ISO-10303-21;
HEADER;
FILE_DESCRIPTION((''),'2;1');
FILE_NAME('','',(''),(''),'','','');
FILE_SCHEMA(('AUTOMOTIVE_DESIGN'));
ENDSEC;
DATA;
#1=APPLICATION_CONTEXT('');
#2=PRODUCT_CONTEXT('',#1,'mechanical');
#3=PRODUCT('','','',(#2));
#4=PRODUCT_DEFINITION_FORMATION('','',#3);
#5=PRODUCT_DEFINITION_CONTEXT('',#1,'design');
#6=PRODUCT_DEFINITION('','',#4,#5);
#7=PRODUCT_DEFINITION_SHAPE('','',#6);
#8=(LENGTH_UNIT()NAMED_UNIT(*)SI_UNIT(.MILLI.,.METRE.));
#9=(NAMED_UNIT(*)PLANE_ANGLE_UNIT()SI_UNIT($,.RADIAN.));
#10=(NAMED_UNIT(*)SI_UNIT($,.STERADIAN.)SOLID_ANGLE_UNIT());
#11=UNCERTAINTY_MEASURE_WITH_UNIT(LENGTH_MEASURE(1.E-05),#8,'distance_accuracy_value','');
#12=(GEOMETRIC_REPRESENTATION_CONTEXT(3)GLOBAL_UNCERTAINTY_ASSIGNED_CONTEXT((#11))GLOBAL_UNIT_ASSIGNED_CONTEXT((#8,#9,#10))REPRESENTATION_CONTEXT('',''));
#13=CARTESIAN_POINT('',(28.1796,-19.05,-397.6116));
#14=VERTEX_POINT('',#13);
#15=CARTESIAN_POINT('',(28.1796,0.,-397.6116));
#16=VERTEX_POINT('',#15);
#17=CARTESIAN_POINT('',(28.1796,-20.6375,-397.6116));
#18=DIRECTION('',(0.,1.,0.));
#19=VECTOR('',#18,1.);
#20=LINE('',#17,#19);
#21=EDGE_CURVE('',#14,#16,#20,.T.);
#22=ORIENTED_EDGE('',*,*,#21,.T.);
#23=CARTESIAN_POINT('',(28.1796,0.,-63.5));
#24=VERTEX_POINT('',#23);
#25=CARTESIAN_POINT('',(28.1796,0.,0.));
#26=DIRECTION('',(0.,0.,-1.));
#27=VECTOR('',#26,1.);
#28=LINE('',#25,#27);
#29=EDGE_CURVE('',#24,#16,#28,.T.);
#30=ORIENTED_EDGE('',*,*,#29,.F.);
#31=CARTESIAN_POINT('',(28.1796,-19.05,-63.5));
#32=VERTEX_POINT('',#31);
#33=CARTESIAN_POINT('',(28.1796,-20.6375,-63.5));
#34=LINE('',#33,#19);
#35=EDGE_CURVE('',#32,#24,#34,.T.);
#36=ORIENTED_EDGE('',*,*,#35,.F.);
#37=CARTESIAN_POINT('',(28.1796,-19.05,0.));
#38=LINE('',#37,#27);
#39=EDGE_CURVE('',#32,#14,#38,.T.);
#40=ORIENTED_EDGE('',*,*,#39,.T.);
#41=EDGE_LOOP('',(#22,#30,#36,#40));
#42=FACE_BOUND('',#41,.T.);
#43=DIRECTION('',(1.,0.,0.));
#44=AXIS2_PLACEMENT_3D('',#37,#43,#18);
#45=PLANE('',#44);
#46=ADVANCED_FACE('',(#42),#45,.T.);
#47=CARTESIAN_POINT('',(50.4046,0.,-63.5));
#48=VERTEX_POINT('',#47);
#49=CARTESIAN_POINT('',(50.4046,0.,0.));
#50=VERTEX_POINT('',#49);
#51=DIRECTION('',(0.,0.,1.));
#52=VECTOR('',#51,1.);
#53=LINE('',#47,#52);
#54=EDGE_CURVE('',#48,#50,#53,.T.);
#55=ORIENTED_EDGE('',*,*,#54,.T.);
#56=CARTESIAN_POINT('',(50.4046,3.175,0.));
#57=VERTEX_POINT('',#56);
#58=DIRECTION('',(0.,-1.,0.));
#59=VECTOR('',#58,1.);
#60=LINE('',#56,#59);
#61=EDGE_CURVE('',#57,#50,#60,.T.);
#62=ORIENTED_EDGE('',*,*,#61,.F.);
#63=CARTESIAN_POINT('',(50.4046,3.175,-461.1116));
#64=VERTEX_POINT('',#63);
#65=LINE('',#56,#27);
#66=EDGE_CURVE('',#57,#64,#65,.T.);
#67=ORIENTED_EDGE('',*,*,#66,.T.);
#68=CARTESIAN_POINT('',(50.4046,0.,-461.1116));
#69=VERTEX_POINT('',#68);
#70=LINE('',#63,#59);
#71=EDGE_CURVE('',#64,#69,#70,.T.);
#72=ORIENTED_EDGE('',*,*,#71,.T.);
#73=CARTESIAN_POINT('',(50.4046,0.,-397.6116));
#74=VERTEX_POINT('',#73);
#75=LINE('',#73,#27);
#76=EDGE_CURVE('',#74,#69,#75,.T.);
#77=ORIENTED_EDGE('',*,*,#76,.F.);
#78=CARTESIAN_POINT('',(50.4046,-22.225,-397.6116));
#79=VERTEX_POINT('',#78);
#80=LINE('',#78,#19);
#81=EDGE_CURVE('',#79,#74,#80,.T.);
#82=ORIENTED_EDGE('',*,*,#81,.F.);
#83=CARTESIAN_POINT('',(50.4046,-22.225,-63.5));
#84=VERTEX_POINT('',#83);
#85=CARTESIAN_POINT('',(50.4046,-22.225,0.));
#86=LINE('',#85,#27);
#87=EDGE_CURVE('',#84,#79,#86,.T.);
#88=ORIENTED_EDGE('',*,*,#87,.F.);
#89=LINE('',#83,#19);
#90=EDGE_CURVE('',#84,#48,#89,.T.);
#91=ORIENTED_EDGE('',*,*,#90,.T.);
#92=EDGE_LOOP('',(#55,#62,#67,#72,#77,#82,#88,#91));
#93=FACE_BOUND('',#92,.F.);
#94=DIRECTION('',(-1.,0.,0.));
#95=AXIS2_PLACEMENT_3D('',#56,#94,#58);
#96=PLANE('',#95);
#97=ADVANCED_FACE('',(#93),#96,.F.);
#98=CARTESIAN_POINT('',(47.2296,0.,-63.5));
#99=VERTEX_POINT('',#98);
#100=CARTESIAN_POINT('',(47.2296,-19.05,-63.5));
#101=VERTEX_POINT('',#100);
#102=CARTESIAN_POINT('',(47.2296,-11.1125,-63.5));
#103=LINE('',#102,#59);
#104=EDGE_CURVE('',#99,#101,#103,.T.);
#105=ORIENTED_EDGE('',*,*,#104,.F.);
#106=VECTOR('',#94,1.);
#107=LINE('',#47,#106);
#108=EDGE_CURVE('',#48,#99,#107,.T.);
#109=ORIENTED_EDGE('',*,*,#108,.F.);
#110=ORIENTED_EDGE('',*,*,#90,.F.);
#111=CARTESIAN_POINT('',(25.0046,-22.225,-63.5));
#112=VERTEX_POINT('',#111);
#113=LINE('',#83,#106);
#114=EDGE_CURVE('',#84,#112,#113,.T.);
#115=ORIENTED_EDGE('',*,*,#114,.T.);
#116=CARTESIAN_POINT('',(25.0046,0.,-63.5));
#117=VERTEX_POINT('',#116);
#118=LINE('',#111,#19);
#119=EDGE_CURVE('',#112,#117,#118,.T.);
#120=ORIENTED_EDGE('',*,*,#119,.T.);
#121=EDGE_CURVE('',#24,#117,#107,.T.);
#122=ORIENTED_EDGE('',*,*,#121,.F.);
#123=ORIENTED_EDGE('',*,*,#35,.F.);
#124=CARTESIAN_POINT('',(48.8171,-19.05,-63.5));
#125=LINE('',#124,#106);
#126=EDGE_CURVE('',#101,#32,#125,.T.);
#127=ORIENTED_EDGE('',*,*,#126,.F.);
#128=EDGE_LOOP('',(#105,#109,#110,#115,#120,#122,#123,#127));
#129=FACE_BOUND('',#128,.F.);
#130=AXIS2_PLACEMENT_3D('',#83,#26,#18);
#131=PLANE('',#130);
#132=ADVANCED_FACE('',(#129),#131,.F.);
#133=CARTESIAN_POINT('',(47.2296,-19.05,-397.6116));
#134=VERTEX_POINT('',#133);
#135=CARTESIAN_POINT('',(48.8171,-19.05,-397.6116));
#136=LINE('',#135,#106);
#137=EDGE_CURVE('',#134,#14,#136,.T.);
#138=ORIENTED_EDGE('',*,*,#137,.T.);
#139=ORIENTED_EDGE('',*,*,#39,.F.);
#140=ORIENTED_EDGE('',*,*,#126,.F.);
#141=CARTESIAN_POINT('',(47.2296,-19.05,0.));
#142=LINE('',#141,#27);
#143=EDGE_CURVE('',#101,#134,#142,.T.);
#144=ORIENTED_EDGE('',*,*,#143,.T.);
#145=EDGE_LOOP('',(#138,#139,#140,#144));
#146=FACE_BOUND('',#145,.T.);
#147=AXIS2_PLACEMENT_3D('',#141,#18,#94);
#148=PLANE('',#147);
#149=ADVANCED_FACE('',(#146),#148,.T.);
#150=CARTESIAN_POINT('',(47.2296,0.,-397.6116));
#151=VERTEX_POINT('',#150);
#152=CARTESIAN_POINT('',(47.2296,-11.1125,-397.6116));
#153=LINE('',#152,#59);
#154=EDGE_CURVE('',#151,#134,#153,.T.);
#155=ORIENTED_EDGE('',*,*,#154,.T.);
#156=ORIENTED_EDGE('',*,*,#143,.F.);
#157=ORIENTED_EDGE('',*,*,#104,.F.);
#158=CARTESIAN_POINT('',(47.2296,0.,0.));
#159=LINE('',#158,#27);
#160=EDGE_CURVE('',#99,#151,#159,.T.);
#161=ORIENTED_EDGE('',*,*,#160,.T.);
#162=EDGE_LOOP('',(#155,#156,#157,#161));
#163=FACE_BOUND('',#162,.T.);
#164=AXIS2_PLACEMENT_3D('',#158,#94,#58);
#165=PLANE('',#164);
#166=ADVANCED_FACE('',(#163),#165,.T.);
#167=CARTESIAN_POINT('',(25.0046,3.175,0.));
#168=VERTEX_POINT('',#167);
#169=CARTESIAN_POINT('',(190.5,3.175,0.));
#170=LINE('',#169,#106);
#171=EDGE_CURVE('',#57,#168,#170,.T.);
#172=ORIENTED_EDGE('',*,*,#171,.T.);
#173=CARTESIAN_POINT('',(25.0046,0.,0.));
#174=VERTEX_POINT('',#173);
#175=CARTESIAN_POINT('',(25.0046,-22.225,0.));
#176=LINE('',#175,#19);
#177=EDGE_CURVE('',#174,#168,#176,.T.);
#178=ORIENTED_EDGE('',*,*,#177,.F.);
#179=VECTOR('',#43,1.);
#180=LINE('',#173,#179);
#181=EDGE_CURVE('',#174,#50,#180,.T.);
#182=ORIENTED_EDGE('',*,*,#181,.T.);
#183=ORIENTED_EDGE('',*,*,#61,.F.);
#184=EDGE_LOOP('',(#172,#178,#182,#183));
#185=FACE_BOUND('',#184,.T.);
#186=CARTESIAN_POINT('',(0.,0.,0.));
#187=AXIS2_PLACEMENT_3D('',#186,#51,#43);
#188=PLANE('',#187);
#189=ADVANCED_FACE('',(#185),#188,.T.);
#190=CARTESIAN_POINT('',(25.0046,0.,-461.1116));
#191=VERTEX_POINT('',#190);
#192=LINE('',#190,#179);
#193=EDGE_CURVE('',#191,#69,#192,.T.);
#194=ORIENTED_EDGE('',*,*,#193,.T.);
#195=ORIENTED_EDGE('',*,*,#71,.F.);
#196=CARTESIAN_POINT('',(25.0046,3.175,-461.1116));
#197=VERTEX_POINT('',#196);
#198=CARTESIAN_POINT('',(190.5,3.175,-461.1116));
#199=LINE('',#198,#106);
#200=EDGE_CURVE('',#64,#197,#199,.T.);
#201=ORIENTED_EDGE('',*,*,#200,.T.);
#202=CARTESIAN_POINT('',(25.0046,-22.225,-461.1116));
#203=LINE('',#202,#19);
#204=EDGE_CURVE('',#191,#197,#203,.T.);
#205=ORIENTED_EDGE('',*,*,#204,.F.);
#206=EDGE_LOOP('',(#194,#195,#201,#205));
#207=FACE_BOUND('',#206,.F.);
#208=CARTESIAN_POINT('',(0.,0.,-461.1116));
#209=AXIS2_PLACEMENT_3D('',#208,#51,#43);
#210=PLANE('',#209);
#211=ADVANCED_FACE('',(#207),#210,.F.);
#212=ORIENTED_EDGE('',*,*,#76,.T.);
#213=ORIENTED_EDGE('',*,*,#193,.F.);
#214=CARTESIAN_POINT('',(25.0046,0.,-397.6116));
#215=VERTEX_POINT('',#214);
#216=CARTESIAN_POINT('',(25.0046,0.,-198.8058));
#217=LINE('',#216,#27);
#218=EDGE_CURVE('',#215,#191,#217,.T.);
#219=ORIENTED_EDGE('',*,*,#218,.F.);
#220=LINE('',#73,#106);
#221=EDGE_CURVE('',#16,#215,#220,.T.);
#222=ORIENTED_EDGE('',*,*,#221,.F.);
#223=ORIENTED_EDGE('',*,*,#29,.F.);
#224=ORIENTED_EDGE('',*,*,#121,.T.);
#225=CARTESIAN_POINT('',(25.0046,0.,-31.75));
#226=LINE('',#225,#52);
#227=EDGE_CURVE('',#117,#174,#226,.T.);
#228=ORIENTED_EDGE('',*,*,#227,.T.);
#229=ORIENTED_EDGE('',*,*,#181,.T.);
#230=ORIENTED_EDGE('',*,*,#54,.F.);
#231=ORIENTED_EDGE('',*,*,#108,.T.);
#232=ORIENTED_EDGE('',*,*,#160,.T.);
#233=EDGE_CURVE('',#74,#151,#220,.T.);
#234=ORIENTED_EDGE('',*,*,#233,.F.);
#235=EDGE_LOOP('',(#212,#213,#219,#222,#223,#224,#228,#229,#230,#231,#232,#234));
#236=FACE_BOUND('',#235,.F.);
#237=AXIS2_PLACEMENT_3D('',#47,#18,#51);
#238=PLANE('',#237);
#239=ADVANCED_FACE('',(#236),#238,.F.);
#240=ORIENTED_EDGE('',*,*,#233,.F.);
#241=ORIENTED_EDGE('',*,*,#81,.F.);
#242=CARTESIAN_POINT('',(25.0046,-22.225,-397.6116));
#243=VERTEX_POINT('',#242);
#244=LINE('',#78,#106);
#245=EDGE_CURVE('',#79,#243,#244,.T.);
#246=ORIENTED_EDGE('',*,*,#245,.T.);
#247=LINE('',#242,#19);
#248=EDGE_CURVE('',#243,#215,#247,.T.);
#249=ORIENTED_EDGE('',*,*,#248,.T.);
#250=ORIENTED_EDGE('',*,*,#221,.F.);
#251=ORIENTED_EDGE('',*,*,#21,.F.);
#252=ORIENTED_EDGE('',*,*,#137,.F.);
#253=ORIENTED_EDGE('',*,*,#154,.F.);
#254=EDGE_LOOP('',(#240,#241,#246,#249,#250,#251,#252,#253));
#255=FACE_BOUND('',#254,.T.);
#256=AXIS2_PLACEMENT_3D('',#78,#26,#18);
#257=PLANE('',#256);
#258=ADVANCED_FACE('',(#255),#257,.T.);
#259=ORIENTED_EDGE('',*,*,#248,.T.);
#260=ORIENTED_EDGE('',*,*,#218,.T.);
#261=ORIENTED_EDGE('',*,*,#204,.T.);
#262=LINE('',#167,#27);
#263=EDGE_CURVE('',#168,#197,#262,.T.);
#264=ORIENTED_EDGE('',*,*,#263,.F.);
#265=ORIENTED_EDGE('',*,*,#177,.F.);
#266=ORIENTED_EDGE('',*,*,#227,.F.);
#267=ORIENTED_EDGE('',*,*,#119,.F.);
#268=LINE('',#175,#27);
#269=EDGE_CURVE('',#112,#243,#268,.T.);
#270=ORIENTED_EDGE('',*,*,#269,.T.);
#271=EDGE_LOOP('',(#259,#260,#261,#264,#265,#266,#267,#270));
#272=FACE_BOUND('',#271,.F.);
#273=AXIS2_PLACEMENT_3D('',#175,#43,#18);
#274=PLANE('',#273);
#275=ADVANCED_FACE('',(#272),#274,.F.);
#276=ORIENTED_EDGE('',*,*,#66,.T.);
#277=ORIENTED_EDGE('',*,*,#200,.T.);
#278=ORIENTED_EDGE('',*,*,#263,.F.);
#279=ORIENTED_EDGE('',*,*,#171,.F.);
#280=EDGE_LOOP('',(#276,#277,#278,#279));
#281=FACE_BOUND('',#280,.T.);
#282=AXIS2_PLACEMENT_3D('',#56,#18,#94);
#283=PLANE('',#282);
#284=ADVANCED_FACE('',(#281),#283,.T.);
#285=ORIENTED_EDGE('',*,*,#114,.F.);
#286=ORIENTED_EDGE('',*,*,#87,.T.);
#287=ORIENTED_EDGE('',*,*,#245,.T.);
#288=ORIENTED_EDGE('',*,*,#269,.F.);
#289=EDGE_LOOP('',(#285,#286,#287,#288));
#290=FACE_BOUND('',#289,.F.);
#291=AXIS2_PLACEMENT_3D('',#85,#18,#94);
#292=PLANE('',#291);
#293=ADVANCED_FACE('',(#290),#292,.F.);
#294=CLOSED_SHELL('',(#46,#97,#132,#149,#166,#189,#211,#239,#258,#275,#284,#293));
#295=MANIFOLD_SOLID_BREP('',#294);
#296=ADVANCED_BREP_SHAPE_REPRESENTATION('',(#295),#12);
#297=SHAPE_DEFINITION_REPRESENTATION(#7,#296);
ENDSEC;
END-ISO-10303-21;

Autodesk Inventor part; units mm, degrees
ref_plane "YZ Plane" through (0, 0, 0) normal (1, 0, 0) x (0, 1, 0)
ref_plane "XZ Plane" through (0, 0, 0) normal (0, 1, 0) x (-1, 0, 0)
sketch "Sketch1" plane through (0, 0, 0) normal (0, 0, 1) x (1, 0, 0)
  line L0 (190.5, 3.175) -> (0, 3.175) projected
  line L1 (25.0046, 3.175) -> (50.4046, 3.175)
  line L2 (50.4046, 3.175) -> (50.4046, -22.225)
  line L3 (50.4046, -22.225) -> (25.0046, -22.225)
  line L4 (25.0046, -22.225) -> (25.0046, 3.175)
  line L5 (28.1796, 0) -> (47.2296, 0)
  line L6 (47.2296, 0) -> (47.2296, -19.05)
  line L7 (47.2296, -19.05) -> (28.1796, -19.05)
  line L8 (28.1796, -19.05) -> (28.1796, 0)
  point P0 (0, 0)
  dimension "d0" = 25.4
  dimension "d1" = 25.4
  dimension "d2" = 3.175
ref_plane "Work Plane1" through (0, 0, -461.1116) normal (0, 0, -1) x (0, 1, 0)
extrude "Extrusion1" add sketch "Sketch1" against normal up to surface (461.1116 mm away)
sketch "Sketch2" plane through (50.4046, -22.225, 0) normal (1, 0, 0) x (0, 0, -1)
  line L0 (461.1116, 0) -> (461.1116, 25.4) projected
  line L1 (0, 25.4) -> (461.1116, 25.4) projected
  line L2 (0, 25.4) -> (0, 0) projected
  line L3 (0, 0) -> (461.1116, 0) projected
  line L4 (0, 0) -> (63.5, 0)
  line L5 (63.5, 0) -> (63.5, 22.225)
  line L6 (63.5, 22.225) -> (0, 22.225)
  line L7 (0, 22.225) -> (0, 0)
  line L8 (461.1116, 0) -> (397.6116, 0)
  line L9 (397.6116, 0) -> (397.6116, 22.225)
  line L10 (397.6116, 22.225) -> (461.1116, 22.225)
  line L11 (461.1116, 22.225) -> (461.1116, 0)
  point P0 (0, 22.225)
  dimension "d5" = 63.5
  dimension "d6" = 22.225
  dimension "d7" = 63.5
  dimension "d8" = 22.225
extrude "Extrusion2" cut sketch "Sketch2" against normal through all contours L3 L9 L10 L0 | L3 L2 L6 L5
equation "\"d7\" = d5"
equation "\"d8\" = d6"
properties part number "2018 Cube Back Stop Top_Botom"
